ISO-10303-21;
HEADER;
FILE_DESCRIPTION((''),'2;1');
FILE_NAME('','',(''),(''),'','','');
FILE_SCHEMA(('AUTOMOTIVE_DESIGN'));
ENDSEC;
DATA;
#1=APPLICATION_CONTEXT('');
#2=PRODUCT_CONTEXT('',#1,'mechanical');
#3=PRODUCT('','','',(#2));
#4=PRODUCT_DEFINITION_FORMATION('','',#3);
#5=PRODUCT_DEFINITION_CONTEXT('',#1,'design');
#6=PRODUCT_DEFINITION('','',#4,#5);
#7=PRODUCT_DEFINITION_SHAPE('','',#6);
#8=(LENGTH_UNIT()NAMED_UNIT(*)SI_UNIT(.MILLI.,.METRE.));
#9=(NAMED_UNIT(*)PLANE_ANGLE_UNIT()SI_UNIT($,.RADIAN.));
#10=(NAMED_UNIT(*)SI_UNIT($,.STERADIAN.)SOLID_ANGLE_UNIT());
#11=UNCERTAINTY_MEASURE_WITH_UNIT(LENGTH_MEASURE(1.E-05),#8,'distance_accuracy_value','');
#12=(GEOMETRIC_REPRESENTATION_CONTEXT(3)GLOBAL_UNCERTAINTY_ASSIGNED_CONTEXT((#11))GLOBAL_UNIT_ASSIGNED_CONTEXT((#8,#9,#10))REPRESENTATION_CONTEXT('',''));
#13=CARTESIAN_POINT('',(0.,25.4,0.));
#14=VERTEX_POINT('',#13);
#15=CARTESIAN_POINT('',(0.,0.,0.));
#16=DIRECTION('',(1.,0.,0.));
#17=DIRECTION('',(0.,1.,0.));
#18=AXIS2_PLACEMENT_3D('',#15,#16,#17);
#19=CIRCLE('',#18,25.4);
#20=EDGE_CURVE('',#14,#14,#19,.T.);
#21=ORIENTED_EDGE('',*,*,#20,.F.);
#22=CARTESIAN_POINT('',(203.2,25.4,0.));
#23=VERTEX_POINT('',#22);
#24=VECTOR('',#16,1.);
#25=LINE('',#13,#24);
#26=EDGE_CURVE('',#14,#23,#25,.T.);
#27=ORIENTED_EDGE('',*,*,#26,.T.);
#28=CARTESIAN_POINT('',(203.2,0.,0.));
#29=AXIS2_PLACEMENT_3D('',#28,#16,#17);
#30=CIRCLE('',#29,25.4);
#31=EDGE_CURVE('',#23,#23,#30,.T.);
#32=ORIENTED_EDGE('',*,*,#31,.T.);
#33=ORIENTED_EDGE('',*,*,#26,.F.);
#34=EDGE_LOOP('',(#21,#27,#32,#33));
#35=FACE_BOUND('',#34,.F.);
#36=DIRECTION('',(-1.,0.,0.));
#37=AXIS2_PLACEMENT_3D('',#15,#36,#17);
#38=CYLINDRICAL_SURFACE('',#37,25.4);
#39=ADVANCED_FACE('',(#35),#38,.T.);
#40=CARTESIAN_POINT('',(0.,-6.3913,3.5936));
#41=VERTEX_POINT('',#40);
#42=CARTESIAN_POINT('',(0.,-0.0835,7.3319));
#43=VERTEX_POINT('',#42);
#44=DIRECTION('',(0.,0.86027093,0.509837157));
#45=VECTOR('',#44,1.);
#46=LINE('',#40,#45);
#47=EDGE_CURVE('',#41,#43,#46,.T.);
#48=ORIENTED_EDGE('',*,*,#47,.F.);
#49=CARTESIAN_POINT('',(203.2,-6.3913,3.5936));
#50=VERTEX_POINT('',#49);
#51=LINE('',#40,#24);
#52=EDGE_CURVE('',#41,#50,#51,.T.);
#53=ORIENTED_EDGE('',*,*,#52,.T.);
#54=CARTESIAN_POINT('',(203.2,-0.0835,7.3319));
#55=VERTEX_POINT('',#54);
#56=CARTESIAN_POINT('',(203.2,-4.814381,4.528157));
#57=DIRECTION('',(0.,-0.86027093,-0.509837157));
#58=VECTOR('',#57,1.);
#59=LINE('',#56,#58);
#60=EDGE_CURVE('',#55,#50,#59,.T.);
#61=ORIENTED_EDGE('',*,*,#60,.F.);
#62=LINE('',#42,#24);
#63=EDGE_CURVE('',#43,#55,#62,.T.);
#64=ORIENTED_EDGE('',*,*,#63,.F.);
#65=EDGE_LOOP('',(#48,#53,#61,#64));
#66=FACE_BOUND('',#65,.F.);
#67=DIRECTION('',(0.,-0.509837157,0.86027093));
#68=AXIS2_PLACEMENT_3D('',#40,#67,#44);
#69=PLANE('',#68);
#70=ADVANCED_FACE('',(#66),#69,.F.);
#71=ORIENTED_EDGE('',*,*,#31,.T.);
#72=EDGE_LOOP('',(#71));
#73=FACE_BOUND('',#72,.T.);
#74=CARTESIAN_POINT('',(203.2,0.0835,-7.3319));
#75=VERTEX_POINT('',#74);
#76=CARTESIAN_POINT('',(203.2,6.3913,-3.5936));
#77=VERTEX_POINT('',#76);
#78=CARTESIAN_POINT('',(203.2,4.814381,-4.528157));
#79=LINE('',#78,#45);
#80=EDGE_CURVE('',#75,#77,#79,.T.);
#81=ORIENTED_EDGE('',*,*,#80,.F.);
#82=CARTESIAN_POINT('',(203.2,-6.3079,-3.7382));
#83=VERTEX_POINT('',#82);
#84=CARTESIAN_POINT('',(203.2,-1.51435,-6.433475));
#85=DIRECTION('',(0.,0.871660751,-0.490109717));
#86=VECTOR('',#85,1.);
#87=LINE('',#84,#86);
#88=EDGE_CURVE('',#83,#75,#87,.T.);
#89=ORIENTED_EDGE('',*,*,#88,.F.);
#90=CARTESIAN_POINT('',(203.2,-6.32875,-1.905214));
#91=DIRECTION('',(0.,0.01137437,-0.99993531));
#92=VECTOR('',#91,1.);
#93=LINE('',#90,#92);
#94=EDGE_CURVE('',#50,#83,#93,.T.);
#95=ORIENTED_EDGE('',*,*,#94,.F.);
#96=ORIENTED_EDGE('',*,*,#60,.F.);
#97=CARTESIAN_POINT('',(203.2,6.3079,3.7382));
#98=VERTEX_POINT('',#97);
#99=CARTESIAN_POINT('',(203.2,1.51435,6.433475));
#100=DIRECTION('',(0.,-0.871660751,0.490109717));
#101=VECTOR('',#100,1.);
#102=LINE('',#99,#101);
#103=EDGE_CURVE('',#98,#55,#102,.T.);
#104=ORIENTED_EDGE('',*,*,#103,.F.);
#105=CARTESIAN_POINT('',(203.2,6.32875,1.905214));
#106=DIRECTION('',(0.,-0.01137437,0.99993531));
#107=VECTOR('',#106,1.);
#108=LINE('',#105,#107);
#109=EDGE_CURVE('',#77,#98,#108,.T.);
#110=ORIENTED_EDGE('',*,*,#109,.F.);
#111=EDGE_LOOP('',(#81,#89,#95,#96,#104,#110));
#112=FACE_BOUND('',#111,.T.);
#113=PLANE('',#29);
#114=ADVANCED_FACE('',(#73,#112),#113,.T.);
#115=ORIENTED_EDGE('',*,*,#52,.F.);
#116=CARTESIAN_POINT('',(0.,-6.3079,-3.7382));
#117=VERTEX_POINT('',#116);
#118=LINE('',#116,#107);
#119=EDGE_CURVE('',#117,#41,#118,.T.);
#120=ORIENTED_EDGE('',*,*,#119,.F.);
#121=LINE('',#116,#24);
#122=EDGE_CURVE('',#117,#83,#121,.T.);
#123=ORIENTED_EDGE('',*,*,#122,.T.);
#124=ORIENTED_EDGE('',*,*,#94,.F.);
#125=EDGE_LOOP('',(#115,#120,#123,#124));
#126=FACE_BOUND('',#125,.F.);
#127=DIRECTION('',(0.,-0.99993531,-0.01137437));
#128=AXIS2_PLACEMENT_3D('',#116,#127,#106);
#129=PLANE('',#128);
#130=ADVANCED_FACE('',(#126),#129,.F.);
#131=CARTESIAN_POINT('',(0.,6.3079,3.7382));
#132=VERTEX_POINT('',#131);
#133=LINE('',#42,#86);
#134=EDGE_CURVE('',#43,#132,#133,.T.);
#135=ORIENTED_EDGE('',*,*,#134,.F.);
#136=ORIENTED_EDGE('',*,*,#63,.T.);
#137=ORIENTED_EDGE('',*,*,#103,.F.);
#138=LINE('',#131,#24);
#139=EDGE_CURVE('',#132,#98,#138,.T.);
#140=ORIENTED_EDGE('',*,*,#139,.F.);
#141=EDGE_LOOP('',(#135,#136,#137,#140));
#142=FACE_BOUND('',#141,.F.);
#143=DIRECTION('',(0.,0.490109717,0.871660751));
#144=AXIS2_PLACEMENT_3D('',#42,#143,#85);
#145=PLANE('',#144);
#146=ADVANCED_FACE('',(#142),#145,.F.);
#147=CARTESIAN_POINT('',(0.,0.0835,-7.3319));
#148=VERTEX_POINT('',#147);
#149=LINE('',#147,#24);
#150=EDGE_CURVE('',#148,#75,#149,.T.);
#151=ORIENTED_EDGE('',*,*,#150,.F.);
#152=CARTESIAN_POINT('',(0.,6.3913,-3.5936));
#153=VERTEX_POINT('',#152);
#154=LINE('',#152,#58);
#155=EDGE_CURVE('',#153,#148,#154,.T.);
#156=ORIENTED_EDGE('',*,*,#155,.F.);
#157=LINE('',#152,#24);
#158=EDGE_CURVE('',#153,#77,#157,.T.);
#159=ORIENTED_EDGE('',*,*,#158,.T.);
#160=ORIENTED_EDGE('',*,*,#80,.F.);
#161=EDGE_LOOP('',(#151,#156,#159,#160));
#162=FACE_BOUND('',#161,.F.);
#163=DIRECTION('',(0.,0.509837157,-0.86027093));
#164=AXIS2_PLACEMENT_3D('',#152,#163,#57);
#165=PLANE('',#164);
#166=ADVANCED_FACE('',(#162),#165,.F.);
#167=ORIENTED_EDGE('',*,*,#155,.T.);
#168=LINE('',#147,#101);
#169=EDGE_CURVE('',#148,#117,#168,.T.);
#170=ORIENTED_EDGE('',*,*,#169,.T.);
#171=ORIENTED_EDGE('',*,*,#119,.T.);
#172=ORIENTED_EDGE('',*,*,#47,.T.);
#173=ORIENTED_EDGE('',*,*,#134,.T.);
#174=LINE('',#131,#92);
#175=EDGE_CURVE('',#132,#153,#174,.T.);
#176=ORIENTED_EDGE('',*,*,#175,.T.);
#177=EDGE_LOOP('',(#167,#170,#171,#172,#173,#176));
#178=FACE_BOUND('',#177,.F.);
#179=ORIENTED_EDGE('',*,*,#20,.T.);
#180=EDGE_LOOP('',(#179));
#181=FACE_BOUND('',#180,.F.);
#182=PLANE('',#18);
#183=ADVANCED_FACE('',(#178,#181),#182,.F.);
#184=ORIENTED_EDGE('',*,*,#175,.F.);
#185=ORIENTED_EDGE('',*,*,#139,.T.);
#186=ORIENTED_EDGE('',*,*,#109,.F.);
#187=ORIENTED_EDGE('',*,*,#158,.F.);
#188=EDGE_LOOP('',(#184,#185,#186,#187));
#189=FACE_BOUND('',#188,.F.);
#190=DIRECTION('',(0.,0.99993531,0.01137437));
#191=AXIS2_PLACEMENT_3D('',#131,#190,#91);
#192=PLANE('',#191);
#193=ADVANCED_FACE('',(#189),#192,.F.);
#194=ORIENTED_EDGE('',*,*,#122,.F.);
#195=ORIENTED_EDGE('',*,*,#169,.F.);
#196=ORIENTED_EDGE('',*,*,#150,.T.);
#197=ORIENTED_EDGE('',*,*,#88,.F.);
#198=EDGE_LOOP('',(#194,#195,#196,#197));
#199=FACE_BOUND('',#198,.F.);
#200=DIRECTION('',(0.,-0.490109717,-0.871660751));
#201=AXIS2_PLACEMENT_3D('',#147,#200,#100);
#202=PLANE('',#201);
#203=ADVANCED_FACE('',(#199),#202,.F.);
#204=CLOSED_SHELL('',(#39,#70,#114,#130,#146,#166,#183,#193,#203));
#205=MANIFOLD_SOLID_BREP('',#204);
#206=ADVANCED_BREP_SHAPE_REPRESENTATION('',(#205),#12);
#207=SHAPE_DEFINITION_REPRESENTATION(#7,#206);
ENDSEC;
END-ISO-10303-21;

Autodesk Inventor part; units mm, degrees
ref_plane "YZ Plane" through (0, 0, 0) normal (1, 0, 0) x (0, 1, 0)
ref_plane "XZ Plane" through (0, 0, 0) normal (0, 1, 0) x (-1, 0, 0)
ref_plane "XY Plane" through (0, 0, 0) normal (0, 0, 1) x (1, 0, 0)
sketch "Sketch1" plane through (0, 0, 0) normal (1, 0, 0) x (0, 1, 0)
  circle A0 centre (0, 0) radius 25.4
  line L0 (6.3913, -3.5936) -> (0.0835, -7.3319)
  line L1 (0.0835, -7.3319) -> (-6.3079, -3.7382)
  line L2 (-6.3079, -3.7382) -> (-6.3913, 3.5936)
  line L3 (-6.3913, 3.5936) -> (-0.0835, 7.3319)
  line L4 (-0.0835, 7.3319) -> (6.3079, 3.7382)
  line L5 (6.3079, 3.7382) -> (6.3913, -3.5936)
  dimension "d0" = 50.8
  dimension "d6" = 6.35
extrude "Extrusion1" add sketch "Sketch1" along normal blind 203.2 contours A0 | L0 L1 L2 L3 L4 L5
extrude "Extrusion2" cut sketch "Sketch1" along normal through all contours L0 L1 L2 L3 L4 L5
properties part number "Roller" material "Rubber"
